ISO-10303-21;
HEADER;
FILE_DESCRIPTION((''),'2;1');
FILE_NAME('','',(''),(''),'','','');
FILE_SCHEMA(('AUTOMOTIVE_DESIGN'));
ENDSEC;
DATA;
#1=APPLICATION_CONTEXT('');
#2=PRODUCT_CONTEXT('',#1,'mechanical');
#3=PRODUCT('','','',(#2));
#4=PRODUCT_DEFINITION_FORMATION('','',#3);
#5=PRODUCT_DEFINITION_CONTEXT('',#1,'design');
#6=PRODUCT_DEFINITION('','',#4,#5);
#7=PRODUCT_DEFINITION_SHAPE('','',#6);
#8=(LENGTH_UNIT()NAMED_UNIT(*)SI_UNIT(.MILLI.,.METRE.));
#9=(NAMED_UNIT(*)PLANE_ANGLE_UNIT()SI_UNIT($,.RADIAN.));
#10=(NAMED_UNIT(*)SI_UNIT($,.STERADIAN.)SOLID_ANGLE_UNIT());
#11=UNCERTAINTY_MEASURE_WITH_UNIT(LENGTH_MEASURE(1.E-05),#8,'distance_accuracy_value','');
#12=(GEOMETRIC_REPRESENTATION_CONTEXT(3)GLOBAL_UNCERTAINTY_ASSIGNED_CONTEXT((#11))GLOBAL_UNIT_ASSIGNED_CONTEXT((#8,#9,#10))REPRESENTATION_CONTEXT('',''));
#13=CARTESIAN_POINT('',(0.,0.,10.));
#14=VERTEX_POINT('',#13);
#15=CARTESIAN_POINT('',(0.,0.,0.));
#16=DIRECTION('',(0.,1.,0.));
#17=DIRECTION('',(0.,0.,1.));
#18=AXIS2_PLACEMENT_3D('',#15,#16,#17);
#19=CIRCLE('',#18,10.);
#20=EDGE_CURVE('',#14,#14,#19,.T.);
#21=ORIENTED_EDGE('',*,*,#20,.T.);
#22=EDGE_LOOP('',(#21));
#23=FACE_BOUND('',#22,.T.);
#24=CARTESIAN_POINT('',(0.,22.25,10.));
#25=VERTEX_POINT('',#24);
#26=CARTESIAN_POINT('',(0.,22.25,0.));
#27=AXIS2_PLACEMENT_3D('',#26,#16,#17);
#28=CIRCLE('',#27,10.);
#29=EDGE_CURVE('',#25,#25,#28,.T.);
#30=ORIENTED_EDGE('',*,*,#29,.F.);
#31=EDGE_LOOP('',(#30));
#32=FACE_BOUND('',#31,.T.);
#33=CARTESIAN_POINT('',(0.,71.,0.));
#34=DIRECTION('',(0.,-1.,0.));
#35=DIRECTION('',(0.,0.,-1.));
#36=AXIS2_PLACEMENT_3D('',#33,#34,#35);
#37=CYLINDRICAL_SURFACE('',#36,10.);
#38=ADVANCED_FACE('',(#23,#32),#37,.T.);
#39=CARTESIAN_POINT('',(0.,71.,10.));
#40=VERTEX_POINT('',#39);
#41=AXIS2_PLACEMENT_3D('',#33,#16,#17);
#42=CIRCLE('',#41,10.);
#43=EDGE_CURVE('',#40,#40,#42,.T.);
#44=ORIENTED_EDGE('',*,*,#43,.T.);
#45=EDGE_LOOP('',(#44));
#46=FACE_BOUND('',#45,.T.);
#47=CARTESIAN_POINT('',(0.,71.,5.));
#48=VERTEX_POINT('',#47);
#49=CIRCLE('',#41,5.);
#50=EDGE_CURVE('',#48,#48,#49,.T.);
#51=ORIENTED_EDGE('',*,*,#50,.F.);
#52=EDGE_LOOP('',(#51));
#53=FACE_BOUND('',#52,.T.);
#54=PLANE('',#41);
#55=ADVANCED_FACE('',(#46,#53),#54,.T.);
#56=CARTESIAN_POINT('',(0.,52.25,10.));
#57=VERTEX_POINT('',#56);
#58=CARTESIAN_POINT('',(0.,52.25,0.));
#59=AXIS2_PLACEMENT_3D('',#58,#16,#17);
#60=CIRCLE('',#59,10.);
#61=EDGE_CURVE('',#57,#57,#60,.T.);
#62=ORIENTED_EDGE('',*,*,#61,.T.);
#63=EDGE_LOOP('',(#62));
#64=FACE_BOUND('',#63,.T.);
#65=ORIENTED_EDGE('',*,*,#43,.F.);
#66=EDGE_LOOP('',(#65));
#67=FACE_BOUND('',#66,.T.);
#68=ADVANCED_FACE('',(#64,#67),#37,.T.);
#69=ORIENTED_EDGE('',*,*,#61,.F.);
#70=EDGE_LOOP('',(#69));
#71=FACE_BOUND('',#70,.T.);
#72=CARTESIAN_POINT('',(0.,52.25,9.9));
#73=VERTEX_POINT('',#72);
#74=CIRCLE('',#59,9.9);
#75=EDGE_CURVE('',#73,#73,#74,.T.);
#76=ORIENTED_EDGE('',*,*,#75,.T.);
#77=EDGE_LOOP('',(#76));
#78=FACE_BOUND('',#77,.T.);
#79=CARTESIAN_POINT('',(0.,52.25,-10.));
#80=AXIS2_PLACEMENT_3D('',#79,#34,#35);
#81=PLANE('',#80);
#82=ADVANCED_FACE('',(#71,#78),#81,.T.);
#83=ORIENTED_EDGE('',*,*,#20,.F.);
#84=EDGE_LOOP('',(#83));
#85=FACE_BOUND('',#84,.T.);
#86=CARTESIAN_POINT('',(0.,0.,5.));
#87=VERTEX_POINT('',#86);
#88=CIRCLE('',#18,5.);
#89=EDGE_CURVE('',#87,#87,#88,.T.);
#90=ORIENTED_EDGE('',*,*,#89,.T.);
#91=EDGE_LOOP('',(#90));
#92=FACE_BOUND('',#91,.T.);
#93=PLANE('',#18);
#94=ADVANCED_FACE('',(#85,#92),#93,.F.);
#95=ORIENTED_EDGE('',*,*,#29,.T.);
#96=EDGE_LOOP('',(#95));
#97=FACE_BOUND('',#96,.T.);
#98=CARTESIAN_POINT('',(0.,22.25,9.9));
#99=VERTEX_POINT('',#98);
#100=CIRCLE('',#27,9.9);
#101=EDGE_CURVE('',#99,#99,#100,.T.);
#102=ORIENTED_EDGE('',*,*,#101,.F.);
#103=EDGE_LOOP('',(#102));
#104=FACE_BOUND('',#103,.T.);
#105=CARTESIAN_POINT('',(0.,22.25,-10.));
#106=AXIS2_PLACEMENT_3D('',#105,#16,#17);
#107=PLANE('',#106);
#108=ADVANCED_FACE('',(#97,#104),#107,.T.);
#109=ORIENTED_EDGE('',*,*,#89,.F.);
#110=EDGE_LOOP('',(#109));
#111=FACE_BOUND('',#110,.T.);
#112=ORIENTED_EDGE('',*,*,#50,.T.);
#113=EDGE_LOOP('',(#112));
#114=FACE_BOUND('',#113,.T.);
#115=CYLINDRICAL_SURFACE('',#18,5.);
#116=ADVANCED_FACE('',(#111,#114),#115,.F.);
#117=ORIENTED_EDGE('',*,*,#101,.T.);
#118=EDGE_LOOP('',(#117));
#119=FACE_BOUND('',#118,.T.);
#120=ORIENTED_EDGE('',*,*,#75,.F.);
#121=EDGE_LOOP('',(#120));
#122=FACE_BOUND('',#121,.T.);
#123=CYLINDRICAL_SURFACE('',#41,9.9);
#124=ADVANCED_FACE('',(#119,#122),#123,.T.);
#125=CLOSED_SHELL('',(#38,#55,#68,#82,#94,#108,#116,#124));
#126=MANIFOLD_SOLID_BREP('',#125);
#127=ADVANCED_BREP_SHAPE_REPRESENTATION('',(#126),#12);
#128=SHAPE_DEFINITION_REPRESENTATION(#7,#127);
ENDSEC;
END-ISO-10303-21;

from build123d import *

# Parameters (mm, degrees)
CROQUIS1_R              = 10
SALIENTE_EXTRUIR1_DEPTH = 71
CROQUIS2_R              = 5
CORTAR_EXTRUIR1_DEPTH   = 72
CROQUIS3_W              = 0.1
CROQUIS3_H              = 30


with BuildPart() as part:
    # Croquis1 → Saliente-Extruir1 (new body)
    with BuildSketch(Plane(origin=(0, 0, 0), x_dir=(1, 0, 0), z_dir=(0, 1, 0))):
        Circle(CROQUIS1_R)
    extrude(amount=SALIENTE_EXTRUIR1_DEPTH)

    # Croquis2 → Cortar-Extruir1 (cut, through all)
    with BuildSketch(Plane(origin=(0, 71, 0), x_dir=(1, 0, 0), z_dir=(0, 1, 0))):
        Circle(CROQUIS2_R)
    extrude(amount=-CORTAR_EXTRUIR1_DEPTH, mode=Mode.SUBTRACT)

    # Croquis3 → Cortar-Revolución1 (revolve, cut)
    with BuildSketch(Plane(origin=(0, 0, 0), x_dir=(0, 0, -1), z_dir=(1, 0, 0))):
        with Locations((9.95, 37.25)):
            Rectangle(CROQUIS3_W, CROQUIS3_H)
    revolve(axis=Axis((0, 71, 0), (0, -1, 0)), mode=Mode.SUBTRACT)


solid = part.part
